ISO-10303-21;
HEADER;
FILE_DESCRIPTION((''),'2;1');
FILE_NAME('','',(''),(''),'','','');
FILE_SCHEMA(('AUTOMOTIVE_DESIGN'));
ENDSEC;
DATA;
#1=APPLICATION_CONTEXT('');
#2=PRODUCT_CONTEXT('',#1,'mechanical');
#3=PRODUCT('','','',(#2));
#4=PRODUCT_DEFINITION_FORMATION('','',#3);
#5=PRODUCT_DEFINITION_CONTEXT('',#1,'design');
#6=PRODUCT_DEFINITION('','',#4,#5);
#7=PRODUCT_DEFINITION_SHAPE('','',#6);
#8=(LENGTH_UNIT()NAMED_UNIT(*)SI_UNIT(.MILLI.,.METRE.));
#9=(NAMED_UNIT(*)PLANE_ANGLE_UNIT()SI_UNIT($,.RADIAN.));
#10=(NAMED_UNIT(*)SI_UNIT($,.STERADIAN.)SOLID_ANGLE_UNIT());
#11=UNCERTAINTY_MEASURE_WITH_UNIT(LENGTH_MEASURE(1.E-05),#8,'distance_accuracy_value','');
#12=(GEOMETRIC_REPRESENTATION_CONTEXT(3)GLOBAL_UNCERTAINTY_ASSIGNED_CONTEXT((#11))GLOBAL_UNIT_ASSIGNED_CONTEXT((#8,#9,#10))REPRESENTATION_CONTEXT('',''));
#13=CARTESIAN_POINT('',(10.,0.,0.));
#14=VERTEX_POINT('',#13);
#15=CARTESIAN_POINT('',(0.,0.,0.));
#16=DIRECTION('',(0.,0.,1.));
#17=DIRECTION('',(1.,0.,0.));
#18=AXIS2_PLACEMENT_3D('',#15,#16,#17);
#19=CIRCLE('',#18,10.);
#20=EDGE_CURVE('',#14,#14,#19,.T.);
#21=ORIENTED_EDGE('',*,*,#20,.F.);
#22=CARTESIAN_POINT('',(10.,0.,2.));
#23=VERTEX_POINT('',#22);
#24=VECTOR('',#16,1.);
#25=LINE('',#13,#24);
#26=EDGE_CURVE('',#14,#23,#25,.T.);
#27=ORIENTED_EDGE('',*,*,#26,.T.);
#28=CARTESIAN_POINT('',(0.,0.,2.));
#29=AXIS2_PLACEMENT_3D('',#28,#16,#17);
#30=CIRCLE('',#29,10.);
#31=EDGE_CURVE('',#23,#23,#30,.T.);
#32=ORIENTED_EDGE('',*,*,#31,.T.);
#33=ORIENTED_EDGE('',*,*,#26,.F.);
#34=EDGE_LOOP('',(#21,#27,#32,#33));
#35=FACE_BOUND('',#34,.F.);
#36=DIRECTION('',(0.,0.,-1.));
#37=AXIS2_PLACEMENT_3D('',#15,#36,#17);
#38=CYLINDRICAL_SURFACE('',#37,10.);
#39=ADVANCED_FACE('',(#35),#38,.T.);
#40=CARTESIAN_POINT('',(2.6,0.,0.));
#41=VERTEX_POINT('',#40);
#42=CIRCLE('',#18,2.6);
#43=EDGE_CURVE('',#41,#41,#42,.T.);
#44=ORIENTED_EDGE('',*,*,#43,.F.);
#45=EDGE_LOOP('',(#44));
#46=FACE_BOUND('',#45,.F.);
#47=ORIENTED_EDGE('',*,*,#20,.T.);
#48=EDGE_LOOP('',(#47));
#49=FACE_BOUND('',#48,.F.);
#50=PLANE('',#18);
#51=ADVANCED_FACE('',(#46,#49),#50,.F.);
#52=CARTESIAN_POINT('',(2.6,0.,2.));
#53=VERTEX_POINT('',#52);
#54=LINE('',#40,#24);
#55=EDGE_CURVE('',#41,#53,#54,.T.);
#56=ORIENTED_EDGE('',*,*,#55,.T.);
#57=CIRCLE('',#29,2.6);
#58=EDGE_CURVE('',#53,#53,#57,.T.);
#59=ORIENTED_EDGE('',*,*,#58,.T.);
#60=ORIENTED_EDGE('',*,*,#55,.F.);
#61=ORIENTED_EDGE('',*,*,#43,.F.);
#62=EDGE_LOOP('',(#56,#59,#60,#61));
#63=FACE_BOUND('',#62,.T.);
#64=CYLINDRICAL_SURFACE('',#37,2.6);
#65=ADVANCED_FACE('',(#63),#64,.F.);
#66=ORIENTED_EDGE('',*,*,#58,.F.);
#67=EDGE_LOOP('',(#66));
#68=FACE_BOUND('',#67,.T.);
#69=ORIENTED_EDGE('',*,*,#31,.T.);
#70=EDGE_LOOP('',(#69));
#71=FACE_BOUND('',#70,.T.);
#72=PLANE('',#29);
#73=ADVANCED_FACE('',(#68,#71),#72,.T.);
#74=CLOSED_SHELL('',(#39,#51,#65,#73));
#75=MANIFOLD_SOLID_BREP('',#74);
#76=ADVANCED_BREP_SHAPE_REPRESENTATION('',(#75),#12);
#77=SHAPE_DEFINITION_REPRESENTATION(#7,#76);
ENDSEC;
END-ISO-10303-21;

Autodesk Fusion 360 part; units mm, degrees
sketch "Sketch1" plane through (0, 0, 0) normal (0, 0, 1) x (1, 0, 0)
  circle A0 centre (0, 0) radius 2.6
  circle A1 centre (0, 0) radius 10
  dimension "d1" = 5.2
  dimension "d2" = 20
extrude "Extrude1" add sketch "Sketch1" along normal blind 2
